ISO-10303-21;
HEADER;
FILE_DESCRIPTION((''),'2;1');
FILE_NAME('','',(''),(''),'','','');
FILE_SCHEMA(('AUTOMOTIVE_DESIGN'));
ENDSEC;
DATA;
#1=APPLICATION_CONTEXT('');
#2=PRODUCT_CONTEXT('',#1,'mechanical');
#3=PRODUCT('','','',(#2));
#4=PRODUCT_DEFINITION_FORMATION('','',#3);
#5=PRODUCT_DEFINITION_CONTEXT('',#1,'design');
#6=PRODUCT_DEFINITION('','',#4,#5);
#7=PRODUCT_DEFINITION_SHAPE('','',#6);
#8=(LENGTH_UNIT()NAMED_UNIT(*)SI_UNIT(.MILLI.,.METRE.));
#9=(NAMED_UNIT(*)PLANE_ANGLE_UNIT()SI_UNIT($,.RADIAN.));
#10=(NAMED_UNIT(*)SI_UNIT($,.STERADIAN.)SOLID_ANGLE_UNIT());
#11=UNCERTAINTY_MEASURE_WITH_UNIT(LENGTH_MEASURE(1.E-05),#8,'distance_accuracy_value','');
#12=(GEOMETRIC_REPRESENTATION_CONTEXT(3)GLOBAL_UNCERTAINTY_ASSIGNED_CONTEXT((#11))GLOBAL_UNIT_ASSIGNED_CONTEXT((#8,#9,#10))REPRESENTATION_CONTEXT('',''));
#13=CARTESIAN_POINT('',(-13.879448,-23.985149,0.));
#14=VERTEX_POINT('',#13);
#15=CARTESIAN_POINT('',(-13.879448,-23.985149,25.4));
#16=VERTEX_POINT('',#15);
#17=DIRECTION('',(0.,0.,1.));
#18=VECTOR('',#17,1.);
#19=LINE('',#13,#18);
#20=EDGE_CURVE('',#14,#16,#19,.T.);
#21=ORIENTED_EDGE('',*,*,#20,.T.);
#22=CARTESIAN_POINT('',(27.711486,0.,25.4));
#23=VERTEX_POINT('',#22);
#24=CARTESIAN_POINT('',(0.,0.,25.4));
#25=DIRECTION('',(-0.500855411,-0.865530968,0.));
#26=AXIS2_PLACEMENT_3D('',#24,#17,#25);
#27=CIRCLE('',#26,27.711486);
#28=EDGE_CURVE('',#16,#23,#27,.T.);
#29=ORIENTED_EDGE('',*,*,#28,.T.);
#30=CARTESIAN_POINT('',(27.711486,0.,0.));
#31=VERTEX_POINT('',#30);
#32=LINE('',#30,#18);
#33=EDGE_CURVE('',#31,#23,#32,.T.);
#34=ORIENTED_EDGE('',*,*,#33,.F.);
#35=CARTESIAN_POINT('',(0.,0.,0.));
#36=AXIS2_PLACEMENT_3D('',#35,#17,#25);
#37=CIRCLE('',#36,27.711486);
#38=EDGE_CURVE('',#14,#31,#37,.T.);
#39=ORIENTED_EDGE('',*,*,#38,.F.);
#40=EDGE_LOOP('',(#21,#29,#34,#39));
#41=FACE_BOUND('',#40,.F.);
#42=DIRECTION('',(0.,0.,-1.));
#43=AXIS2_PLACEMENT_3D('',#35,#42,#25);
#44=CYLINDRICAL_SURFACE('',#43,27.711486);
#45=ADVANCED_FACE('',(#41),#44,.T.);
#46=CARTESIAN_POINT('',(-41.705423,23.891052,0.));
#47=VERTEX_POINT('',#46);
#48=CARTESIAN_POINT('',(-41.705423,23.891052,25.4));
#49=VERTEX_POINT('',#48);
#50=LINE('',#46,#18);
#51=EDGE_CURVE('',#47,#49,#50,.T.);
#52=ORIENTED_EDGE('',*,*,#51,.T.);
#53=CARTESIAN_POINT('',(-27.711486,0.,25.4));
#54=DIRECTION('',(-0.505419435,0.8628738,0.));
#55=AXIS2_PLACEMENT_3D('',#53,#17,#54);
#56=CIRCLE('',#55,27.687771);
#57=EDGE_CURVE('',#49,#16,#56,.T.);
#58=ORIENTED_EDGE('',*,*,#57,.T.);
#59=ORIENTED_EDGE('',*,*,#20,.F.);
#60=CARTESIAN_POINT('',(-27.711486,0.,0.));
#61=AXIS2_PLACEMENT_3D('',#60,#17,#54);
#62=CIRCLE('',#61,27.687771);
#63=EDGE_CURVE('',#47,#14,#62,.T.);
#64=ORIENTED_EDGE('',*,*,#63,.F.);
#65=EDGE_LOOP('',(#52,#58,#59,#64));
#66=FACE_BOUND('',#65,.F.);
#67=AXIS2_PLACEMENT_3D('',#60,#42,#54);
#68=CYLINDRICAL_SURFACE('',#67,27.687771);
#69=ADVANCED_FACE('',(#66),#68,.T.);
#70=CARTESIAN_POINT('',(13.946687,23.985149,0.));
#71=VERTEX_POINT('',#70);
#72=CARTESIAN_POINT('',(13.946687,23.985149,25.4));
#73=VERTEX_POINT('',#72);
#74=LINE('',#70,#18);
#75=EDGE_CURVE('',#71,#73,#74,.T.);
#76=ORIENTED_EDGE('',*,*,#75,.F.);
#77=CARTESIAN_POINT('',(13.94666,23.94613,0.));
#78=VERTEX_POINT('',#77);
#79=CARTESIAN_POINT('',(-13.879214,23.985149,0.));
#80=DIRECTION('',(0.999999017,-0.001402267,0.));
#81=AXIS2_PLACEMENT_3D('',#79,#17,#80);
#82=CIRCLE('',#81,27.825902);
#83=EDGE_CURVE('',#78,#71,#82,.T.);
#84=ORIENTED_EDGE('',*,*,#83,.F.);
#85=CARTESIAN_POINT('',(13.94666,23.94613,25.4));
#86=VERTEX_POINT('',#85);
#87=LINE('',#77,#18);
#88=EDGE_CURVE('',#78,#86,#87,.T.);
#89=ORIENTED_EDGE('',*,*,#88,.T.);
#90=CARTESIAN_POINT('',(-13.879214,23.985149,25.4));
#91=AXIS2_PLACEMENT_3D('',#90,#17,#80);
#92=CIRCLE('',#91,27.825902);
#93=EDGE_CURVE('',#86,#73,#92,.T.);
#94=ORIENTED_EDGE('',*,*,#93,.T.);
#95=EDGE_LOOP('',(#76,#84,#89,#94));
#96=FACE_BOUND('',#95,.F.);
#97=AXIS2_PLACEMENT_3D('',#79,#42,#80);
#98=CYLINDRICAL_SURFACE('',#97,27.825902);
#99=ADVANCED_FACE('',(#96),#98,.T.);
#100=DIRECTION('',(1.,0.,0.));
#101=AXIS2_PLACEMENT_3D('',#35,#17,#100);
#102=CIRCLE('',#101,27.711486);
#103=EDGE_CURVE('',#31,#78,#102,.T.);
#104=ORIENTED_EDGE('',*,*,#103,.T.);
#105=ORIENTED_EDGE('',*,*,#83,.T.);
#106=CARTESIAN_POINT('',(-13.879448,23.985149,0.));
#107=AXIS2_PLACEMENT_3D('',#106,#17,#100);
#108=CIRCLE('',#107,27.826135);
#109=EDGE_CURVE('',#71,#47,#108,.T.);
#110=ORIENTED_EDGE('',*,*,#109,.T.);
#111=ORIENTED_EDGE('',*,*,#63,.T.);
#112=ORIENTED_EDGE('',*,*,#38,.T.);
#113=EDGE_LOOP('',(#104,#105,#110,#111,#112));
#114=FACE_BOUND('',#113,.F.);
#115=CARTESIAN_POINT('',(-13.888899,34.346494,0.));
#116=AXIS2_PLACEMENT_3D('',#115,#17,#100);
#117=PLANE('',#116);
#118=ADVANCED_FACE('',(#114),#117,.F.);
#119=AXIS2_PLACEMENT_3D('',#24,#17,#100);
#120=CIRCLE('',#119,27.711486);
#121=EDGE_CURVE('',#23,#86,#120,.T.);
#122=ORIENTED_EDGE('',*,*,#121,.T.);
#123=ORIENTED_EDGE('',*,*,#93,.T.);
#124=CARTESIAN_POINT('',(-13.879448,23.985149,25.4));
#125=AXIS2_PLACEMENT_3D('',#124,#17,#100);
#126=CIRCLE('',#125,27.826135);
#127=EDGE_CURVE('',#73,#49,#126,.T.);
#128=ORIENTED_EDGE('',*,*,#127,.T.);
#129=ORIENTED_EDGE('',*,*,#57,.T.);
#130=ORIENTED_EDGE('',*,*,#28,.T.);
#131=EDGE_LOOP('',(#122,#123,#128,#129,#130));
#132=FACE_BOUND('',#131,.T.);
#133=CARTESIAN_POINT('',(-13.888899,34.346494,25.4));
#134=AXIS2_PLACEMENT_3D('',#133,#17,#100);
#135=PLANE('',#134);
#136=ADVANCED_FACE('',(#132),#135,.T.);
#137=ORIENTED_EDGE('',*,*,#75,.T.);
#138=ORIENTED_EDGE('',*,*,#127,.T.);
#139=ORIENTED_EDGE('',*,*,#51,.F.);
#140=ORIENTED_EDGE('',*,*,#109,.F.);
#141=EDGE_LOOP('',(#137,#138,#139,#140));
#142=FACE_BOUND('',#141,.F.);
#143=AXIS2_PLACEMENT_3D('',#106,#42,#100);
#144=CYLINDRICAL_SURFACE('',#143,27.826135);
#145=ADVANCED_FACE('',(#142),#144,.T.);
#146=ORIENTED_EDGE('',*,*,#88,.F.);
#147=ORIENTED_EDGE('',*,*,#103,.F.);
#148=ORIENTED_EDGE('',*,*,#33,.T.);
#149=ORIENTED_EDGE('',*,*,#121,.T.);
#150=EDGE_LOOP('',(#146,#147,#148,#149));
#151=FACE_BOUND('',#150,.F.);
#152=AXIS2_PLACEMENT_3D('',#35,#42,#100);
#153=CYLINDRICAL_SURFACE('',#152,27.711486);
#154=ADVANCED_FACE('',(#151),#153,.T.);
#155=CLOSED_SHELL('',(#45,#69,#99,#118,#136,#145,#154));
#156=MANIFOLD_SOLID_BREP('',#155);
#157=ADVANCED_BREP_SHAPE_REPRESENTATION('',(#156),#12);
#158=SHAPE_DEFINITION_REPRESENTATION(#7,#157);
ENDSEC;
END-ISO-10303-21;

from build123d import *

# Parameters (mm, degrees)
F1_DEPTH = 25.4


with BuildPart() as f1:
    # F0 (on Top) → F1 (new body)
    with BuildSketch(Plane.XY):
        with BuildLine():
            ThreePointArc((-13.8794476694, 23.9851492257), (0.0388587333, 27.7114586585), (13.946659894, 23.9461297245))
            ThreePointArc((13.946659894, 23.9461297245), (13.9466804124, 23.9656394703), (13.9466872518, 23.9851492257))
            ThreePointArc((13.9466872518, 23.9851492257), (-13.9264962423, 51.8112443718), (-41.7054234906, 23.8910522142))
            ThreePointArc((-41.7054234906, 23.8910522142), (-27.805115023, 27.6876127299), (-13.8794476694, 23.9851492257))
        make_face()
        with BuildLine():
            ThreePointArc((-27.7110248308, -0.1598555968), (-24.0455227676, 13.7745884083), (-13.8794476694, 23.9851492257))
            ThreePointArc((-13.8794476694, 23.9851492257), (-27.805115023, 27.6876127299), (-41.7054234906, 23.8910522142))
            ThreePointArc((-41.7054234906, 23.8910522142), (-37.9304241934, 9.9907105841), (-27.7110248308, -0.1598555968))
        make_face()
        with BuildLine():
            ThreePointArc((-0.0241009827, -0.1462235666), (10.192242734, 10.026370419), (13.946659894, 23.9461297245))
            ThreePointArc((13.946659894, 23.9461297245), (0.0388587333, 27.7114586585), (-13.8794476694, 23.9851492257))
            ThreePointArc((-13.8794476694, 23.9851492257), (-3.7365930705, 13.8498078951), (-0.0237148649, 0))
            ThreePointArc((-0.0237148649, 0), (-0.0238113945, -0.0731120382), (-0.0241009827, -0.1462235666))
        make_face()
        with BuildLine():
            ThreePointArc((-0.0237148649, 0), (-3.7365930705, 13.8498078951), (-13.8794476694, 23.9851492257))
            ThreePointArc((-13.8794476694, 23.9851492257), (-24.0455227676, 13.7745884083), (-27.7110248308, -0.1598555968))
            ThreePointArc((-27.7110248308, -0.1598555968), (-13.8657470984, -3.8409823227), (-0.0241009827, -0.1462235666))
            ThreePointArc((-0.0241009827, -0.1462235666), (-0.0238113945, -0.0731120382), (-0.0237148649, 0))
        make_face()
        with BuildLine():
            ThreePointArc((-27.7110248308, -0.1598555968), (-23.9656630374, -13.9130674606), (-13.8794476694, -23.9851492257))
            ThreePointArc((-13.8794476694, -23.9851492257), (-3.7732483133, -13.9130674606), (-0.0241009827, -0.1462235666))
            ThreePointArc((-0.0241009827, -0.1462235666), (-13.8657470984, -3.8409823227), (-27.7110248308, -0.1598555968))
        make_face()
        with BuildLine():
            ThreePointArc((-13.8794476694, -23.9851492257), (13.8438855193, -24.0056927563), (27.7114859036, 0))
            ThreePointArc((27.7114859036, 0), (24.0250818941, 13.810209664), (13.946659894, 23.9461297245))
            ThreePointArc((13.946659894, 23.9461297245), (10.192242734, 10.026370419), (-0.0241009827, -0.1462235666))
            ThreePointArc((-0.0241009827, -0.1462235666), (-3.7732483133, -13.9130674606), (-13.8794476694, -23.9851492257))
        make_face()
        with BuildLine():
            ThreePointArc((-41.7054234906, 23.8910522142), (-51.6497234938, -13.9130674606), (-13.8794476694, -23.9851492257))
            ThreePointArc((-13.8794476694, -23.9851492257), (-23.9656630374, -13.9130674606), (-27.7110248308, -0.1598555968))
            ThreePointArc((-27.7110248308, -0.1598555968), (-37.9304241934, 9.9907105841), (-41.7054234906, 23.8910522142))
        make_face()
    extrude(amount=F1_DEPTH)


solid = f1.part
